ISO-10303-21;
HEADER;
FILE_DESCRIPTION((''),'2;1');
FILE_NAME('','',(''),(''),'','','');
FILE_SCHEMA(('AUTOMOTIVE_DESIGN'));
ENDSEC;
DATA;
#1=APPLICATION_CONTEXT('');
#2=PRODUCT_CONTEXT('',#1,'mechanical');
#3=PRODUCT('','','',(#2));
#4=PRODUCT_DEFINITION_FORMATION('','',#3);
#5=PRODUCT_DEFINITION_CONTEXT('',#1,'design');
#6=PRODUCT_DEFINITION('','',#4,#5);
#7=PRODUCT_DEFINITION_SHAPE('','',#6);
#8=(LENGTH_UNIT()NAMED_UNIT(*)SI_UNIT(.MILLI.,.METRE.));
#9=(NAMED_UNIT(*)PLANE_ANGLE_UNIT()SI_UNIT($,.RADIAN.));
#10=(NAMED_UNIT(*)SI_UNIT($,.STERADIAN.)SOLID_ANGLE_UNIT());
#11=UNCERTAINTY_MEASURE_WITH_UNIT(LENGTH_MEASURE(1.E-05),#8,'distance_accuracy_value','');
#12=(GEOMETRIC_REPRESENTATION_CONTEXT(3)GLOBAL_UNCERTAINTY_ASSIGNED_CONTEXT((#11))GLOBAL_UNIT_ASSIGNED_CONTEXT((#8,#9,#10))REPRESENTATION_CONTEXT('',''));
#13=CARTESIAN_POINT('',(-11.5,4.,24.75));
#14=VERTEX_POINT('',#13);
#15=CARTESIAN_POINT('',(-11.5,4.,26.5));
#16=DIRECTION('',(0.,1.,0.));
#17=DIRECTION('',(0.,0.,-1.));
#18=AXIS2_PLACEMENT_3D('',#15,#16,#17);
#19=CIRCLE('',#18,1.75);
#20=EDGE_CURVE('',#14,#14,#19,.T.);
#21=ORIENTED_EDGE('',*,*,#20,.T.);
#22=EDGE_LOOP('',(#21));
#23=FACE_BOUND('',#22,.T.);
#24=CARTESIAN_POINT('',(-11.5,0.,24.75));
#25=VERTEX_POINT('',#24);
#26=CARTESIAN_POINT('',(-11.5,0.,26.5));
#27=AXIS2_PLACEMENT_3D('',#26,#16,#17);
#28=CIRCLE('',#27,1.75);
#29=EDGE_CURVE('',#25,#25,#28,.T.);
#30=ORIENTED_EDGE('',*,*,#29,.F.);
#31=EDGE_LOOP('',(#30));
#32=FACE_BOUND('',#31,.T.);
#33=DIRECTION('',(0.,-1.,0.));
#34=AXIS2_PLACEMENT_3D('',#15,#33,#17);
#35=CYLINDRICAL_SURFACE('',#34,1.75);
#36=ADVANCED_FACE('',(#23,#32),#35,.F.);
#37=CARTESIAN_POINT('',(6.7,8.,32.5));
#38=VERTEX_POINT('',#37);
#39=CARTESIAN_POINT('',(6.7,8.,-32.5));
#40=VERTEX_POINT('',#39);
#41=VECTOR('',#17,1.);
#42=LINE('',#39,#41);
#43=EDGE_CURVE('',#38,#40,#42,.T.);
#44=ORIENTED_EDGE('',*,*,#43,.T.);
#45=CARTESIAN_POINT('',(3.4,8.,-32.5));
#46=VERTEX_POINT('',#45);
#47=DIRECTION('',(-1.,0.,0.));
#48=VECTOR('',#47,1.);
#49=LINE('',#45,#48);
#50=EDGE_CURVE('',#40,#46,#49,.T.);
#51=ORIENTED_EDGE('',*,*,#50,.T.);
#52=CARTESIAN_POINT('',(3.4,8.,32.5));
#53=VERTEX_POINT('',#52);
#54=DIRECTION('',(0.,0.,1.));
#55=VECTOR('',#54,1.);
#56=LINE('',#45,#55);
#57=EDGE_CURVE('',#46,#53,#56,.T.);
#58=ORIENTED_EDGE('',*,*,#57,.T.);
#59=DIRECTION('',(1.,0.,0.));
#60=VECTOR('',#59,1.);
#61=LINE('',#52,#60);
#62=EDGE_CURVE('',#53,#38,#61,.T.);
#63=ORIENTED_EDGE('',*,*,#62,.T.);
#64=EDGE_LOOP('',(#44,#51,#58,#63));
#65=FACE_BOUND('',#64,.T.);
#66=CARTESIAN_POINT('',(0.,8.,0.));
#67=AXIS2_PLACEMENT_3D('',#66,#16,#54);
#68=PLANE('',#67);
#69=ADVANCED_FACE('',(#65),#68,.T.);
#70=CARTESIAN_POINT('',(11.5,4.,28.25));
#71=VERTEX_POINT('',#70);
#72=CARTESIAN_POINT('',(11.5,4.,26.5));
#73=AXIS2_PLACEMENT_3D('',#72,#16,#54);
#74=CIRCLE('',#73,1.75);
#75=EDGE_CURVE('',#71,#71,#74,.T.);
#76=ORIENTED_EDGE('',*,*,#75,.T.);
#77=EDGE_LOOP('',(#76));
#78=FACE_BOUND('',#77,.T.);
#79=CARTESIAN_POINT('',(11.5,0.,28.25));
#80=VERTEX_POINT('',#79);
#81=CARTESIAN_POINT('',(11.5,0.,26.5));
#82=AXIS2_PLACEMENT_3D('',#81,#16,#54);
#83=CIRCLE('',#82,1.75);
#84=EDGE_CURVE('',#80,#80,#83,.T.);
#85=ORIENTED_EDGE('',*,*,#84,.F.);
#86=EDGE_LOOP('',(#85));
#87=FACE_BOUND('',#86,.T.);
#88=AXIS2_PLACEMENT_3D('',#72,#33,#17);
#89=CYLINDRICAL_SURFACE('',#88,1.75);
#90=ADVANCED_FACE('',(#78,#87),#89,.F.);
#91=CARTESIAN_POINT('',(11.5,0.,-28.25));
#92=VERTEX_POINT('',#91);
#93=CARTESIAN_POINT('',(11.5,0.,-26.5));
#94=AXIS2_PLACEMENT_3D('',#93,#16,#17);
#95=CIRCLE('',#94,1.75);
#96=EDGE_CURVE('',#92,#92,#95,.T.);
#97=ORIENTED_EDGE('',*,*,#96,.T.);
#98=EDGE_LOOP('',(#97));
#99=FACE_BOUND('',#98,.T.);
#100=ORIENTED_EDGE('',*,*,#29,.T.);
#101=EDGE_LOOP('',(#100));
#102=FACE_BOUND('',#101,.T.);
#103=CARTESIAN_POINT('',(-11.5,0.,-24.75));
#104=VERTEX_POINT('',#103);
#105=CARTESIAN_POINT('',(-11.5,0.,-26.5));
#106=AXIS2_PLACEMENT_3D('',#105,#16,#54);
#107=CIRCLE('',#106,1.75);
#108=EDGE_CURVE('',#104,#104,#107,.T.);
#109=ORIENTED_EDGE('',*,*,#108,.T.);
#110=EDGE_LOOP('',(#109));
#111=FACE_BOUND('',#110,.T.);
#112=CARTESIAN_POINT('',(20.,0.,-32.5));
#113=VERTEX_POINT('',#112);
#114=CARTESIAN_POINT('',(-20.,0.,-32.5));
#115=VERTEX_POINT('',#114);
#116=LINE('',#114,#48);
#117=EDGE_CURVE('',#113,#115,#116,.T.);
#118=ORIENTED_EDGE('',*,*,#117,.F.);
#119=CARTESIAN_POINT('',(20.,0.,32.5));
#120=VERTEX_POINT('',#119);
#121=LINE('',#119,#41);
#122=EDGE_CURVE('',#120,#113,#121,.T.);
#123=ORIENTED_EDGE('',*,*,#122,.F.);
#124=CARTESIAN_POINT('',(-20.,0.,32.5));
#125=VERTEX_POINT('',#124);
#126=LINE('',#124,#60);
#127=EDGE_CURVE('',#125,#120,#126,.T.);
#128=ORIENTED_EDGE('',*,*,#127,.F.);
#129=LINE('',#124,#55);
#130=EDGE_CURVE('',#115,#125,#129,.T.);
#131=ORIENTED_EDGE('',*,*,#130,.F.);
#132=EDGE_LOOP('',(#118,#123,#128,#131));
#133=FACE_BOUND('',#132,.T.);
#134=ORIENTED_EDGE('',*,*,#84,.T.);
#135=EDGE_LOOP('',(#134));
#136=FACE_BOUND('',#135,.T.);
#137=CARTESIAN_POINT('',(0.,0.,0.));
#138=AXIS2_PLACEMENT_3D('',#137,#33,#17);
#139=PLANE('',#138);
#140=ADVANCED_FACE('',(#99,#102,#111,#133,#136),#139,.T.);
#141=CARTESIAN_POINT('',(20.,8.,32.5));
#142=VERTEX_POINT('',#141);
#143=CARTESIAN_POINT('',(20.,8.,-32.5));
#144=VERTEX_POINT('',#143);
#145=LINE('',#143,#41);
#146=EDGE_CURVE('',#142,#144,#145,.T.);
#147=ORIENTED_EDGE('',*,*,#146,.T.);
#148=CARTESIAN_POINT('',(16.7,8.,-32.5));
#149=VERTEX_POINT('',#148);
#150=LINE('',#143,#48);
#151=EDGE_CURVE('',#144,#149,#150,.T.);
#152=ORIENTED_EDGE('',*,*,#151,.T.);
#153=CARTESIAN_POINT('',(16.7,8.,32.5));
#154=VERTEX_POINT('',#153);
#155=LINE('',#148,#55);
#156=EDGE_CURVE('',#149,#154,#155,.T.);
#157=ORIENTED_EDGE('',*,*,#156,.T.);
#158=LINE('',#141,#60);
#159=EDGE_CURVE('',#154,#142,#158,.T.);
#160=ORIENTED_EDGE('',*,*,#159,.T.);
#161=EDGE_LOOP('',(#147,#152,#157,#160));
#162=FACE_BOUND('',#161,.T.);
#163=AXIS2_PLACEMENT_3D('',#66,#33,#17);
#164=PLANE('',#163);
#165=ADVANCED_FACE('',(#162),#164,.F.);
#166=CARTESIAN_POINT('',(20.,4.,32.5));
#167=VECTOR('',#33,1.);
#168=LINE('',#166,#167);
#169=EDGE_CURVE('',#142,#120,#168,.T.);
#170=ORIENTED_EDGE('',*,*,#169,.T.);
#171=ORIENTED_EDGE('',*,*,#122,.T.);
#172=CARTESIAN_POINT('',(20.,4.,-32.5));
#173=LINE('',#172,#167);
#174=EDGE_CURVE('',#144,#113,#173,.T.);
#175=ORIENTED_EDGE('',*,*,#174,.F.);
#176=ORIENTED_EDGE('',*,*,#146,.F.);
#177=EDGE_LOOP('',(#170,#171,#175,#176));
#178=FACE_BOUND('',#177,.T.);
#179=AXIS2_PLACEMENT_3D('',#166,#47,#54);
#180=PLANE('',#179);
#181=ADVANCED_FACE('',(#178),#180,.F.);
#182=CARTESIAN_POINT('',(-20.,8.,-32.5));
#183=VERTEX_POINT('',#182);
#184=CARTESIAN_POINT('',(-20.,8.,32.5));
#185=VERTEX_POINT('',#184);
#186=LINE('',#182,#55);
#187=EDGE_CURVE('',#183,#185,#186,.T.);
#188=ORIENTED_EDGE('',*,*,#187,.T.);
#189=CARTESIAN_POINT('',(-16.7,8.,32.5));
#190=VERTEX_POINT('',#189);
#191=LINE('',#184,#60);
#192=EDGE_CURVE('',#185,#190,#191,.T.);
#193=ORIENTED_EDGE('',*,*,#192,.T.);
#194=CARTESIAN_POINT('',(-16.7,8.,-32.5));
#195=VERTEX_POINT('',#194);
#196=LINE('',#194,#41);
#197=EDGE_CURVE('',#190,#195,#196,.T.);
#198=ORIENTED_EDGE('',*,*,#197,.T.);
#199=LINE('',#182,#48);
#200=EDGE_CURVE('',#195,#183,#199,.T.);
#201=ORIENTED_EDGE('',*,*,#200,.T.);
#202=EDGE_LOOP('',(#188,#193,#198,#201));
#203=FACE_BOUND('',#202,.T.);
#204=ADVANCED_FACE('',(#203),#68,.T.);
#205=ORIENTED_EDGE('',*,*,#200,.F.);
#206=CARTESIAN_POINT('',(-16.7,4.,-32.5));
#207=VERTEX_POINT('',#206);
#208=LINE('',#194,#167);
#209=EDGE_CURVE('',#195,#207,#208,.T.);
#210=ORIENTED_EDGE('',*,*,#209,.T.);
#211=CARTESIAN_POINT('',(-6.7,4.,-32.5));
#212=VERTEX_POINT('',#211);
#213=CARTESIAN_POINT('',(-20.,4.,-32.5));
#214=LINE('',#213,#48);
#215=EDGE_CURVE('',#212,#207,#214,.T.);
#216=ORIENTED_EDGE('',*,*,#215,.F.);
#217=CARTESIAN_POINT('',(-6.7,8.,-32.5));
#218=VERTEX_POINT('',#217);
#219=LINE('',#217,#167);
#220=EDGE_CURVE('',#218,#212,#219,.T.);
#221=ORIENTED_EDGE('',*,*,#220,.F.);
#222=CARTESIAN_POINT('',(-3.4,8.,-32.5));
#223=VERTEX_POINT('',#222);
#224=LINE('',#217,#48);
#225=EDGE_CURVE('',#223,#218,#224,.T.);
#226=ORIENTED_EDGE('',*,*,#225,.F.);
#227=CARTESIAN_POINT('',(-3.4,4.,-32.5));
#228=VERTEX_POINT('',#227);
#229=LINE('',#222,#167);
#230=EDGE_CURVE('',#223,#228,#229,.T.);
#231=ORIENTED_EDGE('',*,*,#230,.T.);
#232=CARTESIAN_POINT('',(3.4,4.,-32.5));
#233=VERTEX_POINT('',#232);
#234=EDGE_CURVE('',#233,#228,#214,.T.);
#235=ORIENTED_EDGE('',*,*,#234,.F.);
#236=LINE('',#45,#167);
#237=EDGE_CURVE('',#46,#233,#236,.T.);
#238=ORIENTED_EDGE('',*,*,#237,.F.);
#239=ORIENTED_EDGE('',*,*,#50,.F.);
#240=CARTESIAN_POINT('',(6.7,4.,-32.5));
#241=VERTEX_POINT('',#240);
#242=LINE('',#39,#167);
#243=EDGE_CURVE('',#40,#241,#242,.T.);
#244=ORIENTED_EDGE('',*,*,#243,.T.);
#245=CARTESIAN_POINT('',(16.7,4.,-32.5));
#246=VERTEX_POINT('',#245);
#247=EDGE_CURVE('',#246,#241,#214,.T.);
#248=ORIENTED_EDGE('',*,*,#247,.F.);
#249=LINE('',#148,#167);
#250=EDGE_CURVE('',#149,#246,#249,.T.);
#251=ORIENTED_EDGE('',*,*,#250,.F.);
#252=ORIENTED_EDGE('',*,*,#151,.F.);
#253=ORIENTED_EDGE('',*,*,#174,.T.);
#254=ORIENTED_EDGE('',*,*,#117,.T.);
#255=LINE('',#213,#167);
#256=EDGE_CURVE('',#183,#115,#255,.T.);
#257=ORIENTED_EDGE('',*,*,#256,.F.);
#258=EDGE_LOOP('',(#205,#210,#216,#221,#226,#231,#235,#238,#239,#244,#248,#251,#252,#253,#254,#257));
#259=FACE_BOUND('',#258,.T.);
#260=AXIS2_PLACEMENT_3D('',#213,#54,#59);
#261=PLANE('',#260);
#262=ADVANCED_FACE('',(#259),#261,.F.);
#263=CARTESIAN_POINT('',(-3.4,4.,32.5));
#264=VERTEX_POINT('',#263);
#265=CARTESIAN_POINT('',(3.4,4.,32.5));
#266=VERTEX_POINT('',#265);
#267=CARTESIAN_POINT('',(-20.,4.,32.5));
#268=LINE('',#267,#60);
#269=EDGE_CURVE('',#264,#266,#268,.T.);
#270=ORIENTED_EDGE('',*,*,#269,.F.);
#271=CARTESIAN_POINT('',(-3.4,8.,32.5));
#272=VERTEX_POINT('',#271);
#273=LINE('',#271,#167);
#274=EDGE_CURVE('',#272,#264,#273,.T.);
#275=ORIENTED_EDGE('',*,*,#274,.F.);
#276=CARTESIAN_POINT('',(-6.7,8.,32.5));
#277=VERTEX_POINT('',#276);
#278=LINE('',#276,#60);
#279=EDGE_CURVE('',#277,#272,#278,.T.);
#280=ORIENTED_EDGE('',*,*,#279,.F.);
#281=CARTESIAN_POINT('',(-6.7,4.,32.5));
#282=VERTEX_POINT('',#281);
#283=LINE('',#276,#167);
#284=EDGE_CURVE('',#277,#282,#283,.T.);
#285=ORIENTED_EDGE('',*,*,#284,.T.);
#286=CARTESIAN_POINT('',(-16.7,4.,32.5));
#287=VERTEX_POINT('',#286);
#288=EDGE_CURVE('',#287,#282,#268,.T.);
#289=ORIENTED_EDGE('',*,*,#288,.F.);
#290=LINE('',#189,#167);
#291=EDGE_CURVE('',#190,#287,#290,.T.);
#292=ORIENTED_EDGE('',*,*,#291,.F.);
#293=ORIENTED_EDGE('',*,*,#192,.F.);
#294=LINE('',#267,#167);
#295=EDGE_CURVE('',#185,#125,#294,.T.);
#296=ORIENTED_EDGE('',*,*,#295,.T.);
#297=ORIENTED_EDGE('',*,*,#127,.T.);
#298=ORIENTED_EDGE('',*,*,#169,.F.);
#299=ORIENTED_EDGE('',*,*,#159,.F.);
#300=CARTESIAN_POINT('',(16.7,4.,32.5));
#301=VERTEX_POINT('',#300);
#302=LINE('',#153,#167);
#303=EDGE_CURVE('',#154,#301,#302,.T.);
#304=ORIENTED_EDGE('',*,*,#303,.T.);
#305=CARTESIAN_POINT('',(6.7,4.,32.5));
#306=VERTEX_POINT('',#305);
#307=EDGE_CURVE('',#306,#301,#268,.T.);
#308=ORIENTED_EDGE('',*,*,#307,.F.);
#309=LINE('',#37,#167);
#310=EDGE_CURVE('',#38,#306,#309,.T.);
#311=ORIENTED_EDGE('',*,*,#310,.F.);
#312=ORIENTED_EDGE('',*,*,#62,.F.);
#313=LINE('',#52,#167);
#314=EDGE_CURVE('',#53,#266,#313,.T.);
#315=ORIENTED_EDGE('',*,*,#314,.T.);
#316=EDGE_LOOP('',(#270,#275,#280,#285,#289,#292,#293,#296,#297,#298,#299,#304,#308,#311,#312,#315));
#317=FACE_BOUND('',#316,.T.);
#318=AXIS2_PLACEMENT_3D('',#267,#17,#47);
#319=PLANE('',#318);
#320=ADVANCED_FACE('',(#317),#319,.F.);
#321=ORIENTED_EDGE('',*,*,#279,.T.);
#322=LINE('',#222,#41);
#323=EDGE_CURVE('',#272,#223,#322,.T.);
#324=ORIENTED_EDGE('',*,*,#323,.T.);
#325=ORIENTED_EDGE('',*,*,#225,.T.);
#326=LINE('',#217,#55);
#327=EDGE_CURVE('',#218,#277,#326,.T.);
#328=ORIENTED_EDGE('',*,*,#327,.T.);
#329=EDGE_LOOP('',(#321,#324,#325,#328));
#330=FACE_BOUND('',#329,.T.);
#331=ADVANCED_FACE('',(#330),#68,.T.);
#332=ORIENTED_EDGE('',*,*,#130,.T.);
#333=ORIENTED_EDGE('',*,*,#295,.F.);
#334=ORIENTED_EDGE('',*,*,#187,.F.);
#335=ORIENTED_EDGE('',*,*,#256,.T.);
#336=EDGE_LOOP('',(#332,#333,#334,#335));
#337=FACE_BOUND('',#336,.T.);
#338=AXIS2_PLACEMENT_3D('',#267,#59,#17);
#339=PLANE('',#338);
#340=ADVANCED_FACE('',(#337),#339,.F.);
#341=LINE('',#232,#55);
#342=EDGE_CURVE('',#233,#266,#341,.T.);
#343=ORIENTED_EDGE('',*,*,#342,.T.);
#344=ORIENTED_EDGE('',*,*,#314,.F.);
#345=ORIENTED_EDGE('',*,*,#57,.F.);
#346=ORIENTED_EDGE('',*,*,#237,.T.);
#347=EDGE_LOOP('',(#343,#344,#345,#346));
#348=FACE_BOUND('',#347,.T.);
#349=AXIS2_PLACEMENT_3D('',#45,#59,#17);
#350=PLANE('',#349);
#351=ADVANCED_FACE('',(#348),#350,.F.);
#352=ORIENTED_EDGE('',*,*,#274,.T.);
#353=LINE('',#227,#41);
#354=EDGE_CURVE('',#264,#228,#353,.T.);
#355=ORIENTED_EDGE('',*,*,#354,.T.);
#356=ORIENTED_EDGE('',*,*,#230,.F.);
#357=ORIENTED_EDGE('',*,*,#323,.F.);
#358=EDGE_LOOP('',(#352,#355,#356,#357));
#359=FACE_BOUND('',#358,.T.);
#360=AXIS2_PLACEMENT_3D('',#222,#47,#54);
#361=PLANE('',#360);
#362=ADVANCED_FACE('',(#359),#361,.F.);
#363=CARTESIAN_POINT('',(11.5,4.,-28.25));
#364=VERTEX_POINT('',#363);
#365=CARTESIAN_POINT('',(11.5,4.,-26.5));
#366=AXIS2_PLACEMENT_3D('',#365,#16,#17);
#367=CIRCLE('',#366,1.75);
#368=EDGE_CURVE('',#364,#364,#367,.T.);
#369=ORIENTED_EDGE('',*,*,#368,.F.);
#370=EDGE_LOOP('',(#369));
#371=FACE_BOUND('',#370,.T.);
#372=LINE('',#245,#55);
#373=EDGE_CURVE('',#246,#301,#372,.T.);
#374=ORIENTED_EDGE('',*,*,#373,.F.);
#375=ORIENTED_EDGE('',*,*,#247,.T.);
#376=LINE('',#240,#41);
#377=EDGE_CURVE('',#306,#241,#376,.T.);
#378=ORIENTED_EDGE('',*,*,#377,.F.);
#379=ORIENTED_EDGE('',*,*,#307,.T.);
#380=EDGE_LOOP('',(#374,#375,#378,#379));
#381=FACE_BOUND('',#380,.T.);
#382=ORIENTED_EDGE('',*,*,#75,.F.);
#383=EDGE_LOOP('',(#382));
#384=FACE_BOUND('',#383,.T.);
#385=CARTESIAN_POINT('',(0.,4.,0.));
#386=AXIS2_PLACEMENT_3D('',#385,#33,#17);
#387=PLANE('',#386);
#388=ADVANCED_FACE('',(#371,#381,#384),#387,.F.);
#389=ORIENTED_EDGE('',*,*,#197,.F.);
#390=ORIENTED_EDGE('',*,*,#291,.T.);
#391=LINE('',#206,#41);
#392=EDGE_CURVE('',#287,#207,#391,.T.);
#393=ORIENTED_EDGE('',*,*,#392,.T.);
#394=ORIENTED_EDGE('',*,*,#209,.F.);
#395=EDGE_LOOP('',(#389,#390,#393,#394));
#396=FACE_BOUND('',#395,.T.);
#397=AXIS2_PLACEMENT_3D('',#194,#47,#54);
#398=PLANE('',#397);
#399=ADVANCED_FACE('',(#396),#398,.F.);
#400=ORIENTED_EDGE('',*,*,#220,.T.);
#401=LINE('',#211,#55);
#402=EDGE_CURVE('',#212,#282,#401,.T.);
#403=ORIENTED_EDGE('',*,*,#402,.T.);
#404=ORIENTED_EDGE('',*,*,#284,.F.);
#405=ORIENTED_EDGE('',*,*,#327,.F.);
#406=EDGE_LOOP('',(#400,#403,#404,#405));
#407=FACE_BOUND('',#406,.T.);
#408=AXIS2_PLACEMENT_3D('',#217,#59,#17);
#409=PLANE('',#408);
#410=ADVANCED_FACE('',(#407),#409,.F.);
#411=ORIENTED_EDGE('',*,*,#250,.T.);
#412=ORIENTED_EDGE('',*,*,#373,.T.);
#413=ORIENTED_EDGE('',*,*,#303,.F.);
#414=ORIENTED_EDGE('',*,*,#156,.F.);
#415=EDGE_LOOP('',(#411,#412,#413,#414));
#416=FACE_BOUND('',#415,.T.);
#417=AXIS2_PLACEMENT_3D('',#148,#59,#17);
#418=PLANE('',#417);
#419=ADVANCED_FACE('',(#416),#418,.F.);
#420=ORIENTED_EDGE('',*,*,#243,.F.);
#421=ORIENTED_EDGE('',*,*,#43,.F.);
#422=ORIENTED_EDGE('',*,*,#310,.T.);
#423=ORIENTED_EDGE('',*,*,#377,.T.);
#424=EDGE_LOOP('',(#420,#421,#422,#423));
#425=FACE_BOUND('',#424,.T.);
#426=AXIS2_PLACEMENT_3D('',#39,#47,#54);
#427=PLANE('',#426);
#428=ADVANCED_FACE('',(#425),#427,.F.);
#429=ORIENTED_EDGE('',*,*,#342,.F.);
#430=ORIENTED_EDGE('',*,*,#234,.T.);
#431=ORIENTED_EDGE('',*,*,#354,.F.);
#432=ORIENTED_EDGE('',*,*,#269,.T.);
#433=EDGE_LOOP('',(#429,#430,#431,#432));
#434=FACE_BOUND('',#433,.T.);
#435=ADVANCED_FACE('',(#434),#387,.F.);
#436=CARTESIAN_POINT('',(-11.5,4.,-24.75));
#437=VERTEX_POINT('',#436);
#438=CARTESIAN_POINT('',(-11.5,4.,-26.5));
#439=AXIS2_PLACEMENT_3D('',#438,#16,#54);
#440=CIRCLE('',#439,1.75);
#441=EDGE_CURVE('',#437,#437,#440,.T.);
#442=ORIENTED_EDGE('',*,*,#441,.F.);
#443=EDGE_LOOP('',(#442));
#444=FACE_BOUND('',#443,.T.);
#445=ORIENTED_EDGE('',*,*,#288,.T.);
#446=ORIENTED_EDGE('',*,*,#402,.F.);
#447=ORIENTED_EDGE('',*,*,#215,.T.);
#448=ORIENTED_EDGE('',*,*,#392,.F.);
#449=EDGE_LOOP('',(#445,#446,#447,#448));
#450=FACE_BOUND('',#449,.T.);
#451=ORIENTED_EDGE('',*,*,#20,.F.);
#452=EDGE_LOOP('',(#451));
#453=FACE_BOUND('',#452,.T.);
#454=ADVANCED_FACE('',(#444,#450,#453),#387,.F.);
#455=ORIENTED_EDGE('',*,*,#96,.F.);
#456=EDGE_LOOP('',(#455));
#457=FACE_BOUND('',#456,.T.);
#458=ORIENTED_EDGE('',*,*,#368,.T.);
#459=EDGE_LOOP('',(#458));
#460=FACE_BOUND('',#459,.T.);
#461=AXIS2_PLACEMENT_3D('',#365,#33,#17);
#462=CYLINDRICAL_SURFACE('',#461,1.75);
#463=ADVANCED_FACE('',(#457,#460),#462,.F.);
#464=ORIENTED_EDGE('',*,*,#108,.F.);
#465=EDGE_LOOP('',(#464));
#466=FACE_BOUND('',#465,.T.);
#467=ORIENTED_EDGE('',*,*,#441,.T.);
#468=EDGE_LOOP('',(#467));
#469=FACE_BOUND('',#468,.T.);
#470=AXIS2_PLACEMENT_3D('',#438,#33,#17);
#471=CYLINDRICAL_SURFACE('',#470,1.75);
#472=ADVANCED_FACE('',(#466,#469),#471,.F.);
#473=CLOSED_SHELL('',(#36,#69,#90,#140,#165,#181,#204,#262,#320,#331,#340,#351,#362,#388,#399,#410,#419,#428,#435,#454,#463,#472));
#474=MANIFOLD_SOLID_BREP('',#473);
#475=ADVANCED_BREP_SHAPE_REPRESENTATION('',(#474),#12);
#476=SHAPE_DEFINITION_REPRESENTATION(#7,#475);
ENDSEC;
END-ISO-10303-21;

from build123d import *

# Parameters (mm, degrees)
SKETCH1_W           = 40
SKETCH1_H           = 65
SKETCH1_R           = 1.75
BOSS_EXTRUDE1_DEPTH = 4
SKETCH2_W           = 3.3
SKETCH2_H           = 65
BOSS_EXTRUDE2_DEPTH = 4


with BuildPart() as part:
    # Sketch1 → Boss-Extrude1 (new body)
    with BuildSketch(Plane(origin=(0, 0, 0), x_dir=(1, 0, 0), z_dir=(0, 1, 0))):
        Rectangle(SKETCH1_W, SKETCH1_H)
        with Locations((11.5, -26.5)):
            Circle(SKETCH1_R, mode=Mode.SUBTRACT)
        with Locations((-11.5, -26.5)):
            Circle(SKETCH1_R, mode=Mode.SUBTRACT)
        with Locations((11.5, 26.5)):
            Circle(SKETCH1_R, mode=Mode.SUBTRACT)
        with Locations((-11.5, 26.5)):
            Circle(SKETCH1_R, mode=Mode.SUBTRACT)
    extrude(amount=BOSS_EXTRUDE1_DEPTH)

    # Sketch2 → Boss-Extrude2 (add)
    with BuildSketch(Plane(origin=(0, 4, 0), x_dir=(1, 0, 0), z_dir=(0, 1, 0))):
        with Locations((-18.35, 0)):
            Rectangle(SKETCH2_W, SKETCH2_H)
        with Locations((18.35, 0)):
            Rectangle(SKETCH2_W, SKETCH2_H)
        with Locations((-5.05, 0)):
            Rectangle(SKETCH2_W, SKETCH2_H)
        with Locations((5.05, 0)):
            Rectangle(SKETCH2_W, SKETCH2_H)
    extrude(amount=BOSS_EXTRUDE2_DEPTH)


solid = part.part
